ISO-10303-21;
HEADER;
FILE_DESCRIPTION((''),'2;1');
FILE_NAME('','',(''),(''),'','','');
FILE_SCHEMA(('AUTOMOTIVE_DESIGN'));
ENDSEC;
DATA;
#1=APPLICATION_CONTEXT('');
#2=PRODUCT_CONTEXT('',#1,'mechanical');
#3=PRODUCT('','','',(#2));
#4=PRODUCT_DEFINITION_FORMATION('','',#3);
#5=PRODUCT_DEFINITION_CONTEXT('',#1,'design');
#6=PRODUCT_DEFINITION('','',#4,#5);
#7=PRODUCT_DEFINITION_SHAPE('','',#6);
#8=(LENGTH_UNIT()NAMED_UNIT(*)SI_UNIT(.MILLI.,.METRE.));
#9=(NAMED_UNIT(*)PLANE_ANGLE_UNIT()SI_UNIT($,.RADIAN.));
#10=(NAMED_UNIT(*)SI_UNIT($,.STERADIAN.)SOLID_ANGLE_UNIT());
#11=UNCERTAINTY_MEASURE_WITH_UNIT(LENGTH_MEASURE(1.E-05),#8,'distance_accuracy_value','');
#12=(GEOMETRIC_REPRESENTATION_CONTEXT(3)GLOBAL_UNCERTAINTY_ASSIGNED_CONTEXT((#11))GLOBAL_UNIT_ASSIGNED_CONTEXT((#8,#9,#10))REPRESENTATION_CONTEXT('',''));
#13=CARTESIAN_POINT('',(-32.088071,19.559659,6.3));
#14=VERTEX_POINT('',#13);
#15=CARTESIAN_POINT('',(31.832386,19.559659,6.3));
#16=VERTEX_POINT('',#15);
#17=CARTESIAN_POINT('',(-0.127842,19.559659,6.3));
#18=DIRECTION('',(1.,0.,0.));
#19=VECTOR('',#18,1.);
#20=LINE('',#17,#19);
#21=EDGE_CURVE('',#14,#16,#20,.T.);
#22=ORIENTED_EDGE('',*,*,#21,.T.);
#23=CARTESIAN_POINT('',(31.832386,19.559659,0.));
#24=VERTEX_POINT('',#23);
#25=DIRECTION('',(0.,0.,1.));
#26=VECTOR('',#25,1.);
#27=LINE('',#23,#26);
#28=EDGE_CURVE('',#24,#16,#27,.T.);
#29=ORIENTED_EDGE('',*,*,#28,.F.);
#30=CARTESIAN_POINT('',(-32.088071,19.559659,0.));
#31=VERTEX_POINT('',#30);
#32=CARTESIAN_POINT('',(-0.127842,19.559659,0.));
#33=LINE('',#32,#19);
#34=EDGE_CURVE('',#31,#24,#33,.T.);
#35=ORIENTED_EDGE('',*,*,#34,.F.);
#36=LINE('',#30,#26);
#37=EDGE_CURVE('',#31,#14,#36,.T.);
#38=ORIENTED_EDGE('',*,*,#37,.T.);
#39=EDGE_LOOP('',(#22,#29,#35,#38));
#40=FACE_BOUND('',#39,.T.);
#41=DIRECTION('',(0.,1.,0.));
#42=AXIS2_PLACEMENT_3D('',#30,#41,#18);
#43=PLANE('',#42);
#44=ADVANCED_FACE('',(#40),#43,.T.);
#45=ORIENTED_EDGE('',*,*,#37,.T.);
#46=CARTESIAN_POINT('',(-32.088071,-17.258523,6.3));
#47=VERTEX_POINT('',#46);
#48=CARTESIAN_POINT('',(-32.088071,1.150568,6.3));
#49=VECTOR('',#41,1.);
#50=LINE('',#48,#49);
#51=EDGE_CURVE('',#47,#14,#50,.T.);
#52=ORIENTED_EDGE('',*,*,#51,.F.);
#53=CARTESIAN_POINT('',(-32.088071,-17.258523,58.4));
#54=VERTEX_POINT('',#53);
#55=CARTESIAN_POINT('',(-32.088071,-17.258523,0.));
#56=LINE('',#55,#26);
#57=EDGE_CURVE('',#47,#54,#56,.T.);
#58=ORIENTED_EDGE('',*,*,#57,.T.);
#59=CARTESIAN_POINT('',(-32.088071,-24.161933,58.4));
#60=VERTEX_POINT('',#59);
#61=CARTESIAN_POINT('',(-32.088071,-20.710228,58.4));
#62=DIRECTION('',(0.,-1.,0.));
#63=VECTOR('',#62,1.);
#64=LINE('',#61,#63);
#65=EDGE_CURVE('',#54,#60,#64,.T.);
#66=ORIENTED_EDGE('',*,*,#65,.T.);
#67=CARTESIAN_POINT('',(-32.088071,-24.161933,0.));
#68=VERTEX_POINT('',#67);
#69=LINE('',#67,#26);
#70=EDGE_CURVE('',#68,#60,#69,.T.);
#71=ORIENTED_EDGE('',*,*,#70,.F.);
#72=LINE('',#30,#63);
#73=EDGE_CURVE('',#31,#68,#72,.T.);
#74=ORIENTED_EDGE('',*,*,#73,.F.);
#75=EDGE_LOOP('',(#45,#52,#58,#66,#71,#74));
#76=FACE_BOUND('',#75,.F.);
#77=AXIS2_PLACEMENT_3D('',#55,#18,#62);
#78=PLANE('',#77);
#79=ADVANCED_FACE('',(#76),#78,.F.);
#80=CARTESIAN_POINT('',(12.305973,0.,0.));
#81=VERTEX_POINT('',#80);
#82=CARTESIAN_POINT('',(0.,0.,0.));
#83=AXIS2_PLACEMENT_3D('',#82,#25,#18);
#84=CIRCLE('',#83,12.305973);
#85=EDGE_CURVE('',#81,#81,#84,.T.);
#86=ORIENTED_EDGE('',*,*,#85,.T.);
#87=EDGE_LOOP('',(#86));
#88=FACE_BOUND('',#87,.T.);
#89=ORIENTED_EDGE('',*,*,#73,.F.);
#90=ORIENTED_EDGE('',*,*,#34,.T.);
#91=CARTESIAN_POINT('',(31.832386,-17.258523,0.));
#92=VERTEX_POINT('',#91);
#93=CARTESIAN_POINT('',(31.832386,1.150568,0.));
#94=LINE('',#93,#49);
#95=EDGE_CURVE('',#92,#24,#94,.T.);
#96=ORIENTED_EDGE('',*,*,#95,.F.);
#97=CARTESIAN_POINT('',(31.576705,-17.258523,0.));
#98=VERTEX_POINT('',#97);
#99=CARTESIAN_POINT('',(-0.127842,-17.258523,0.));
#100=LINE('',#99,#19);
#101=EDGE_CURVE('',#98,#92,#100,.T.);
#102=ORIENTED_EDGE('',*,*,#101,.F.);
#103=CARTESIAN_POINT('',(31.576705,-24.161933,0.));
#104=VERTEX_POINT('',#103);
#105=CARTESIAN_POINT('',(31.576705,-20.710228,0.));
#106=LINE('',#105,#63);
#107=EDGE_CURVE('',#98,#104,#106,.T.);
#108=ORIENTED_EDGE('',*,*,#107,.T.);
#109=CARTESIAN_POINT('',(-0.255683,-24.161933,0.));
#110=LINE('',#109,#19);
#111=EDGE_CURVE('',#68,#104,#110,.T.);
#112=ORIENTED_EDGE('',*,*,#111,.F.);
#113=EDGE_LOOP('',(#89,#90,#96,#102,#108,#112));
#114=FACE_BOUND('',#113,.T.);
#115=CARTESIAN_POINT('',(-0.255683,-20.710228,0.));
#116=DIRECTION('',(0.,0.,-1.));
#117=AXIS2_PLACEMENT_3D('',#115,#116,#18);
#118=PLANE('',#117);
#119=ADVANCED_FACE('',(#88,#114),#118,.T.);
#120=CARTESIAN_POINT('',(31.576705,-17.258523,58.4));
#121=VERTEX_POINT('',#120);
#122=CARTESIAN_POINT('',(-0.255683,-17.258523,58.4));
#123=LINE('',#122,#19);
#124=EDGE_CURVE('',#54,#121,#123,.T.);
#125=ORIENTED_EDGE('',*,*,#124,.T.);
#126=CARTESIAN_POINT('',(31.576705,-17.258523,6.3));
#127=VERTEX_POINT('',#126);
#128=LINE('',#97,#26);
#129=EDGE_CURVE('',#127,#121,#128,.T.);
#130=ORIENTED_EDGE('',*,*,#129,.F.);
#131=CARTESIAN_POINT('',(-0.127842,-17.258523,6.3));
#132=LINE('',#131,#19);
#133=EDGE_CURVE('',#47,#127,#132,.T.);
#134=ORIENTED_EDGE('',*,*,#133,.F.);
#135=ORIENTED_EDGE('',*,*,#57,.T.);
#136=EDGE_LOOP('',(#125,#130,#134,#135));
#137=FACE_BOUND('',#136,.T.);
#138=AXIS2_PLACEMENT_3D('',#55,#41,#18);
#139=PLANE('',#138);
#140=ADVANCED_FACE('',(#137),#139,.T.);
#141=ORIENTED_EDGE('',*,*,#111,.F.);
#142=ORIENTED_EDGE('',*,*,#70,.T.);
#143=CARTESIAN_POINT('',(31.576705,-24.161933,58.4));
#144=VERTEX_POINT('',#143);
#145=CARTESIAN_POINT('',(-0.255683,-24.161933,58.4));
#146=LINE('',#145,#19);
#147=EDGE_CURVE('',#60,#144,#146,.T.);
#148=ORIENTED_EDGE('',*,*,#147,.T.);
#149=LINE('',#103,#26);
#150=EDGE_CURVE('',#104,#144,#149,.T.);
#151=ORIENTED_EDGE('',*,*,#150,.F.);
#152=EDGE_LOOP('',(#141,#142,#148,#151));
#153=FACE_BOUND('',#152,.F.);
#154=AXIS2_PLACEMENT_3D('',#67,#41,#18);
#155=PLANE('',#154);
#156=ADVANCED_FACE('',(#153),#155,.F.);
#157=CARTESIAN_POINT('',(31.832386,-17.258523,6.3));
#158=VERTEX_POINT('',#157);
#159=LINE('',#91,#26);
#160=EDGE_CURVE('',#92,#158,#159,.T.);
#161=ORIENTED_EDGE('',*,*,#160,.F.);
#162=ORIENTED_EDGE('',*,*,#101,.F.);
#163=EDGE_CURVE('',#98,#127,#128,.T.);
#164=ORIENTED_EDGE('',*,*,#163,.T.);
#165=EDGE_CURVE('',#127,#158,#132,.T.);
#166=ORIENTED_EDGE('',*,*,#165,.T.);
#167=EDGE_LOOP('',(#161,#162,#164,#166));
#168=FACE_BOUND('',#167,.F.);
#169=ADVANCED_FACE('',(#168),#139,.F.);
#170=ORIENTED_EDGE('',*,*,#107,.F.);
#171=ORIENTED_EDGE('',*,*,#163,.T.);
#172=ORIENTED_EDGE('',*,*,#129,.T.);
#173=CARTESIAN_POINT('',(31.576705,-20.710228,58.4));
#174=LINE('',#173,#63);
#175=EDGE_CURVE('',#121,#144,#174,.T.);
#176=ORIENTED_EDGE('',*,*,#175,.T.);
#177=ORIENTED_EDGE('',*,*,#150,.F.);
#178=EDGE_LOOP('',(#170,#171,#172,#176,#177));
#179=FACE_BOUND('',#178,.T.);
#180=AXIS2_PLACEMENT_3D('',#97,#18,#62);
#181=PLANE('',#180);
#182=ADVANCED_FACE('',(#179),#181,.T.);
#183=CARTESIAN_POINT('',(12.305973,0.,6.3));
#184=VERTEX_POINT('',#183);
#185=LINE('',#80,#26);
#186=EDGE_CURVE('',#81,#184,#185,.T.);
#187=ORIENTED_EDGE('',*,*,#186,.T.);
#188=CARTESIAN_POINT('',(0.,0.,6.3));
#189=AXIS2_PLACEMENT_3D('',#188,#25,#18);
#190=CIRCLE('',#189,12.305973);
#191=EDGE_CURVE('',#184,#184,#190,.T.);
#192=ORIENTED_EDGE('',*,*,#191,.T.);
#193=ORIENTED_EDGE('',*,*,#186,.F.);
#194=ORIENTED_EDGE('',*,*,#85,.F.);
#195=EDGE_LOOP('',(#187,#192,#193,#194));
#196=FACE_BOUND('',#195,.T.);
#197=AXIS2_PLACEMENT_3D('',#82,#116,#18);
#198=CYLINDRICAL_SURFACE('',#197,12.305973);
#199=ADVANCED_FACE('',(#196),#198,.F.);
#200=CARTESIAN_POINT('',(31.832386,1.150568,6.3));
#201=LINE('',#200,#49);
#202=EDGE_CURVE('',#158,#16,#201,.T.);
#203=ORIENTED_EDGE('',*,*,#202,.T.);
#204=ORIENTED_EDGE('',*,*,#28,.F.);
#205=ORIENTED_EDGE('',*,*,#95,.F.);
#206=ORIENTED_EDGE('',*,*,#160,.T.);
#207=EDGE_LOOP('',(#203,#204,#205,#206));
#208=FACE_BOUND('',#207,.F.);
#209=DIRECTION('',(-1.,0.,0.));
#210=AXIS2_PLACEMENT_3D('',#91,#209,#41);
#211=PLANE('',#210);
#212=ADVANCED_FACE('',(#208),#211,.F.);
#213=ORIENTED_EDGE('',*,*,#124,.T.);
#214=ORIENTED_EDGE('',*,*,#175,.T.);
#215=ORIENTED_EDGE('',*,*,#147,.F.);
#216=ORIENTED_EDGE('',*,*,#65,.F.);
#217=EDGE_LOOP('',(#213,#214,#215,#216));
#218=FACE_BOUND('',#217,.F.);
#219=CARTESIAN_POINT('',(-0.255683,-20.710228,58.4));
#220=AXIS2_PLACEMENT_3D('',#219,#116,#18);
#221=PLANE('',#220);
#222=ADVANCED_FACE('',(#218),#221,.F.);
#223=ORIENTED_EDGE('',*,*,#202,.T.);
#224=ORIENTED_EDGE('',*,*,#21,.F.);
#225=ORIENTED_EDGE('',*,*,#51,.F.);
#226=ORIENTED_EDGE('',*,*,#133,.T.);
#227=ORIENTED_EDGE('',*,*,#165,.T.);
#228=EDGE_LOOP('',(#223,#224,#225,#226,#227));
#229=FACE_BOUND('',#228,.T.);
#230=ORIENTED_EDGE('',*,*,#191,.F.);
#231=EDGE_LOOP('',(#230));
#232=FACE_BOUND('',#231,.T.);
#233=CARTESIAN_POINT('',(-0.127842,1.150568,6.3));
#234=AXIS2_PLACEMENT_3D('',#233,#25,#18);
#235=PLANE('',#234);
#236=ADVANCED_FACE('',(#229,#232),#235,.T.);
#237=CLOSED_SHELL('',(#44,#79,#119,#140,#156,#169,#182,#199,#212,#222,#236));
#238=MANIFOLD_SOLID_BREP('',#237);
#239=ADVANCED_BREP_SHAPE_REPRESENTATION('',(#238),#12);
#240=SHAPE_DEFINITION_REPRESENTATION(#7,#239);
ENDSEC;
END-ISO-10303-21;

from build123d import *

# Parameters (mm, degrees)
F0_W     = 63.920457
F0_H     = 36.818182
F0_R     = 12.305973
F1_DEPTH = 6.3
F2_W     = 63.664775
F2_H     = 6.90341
F3_DEPTH = 58.4


with BuildPart() as f1:
    # F0 (on Top) → F1 (new body)
    with BuildSketch(Plane.XY):
        with Locations((-0.127842, 1.150568)):
            Rectangle(F0_W, F0_H)
        Circle(F0_R, mode=Mode.SUBTRACT)
    extrude(amount=F1_DEPTH)

    # F2 (on face) → F3 (join)
    with BuildSketch(Plane(origin=(0, 0, 0), x_dir=(1, 0, 0), z_dir=(0, 0, -1))):
        with Locations((-0.255683, 20.710228)):
            Rectangle(F2_W, F2_H)
    extrude(amount=-F3_DEPTH)


solid = f1.part
